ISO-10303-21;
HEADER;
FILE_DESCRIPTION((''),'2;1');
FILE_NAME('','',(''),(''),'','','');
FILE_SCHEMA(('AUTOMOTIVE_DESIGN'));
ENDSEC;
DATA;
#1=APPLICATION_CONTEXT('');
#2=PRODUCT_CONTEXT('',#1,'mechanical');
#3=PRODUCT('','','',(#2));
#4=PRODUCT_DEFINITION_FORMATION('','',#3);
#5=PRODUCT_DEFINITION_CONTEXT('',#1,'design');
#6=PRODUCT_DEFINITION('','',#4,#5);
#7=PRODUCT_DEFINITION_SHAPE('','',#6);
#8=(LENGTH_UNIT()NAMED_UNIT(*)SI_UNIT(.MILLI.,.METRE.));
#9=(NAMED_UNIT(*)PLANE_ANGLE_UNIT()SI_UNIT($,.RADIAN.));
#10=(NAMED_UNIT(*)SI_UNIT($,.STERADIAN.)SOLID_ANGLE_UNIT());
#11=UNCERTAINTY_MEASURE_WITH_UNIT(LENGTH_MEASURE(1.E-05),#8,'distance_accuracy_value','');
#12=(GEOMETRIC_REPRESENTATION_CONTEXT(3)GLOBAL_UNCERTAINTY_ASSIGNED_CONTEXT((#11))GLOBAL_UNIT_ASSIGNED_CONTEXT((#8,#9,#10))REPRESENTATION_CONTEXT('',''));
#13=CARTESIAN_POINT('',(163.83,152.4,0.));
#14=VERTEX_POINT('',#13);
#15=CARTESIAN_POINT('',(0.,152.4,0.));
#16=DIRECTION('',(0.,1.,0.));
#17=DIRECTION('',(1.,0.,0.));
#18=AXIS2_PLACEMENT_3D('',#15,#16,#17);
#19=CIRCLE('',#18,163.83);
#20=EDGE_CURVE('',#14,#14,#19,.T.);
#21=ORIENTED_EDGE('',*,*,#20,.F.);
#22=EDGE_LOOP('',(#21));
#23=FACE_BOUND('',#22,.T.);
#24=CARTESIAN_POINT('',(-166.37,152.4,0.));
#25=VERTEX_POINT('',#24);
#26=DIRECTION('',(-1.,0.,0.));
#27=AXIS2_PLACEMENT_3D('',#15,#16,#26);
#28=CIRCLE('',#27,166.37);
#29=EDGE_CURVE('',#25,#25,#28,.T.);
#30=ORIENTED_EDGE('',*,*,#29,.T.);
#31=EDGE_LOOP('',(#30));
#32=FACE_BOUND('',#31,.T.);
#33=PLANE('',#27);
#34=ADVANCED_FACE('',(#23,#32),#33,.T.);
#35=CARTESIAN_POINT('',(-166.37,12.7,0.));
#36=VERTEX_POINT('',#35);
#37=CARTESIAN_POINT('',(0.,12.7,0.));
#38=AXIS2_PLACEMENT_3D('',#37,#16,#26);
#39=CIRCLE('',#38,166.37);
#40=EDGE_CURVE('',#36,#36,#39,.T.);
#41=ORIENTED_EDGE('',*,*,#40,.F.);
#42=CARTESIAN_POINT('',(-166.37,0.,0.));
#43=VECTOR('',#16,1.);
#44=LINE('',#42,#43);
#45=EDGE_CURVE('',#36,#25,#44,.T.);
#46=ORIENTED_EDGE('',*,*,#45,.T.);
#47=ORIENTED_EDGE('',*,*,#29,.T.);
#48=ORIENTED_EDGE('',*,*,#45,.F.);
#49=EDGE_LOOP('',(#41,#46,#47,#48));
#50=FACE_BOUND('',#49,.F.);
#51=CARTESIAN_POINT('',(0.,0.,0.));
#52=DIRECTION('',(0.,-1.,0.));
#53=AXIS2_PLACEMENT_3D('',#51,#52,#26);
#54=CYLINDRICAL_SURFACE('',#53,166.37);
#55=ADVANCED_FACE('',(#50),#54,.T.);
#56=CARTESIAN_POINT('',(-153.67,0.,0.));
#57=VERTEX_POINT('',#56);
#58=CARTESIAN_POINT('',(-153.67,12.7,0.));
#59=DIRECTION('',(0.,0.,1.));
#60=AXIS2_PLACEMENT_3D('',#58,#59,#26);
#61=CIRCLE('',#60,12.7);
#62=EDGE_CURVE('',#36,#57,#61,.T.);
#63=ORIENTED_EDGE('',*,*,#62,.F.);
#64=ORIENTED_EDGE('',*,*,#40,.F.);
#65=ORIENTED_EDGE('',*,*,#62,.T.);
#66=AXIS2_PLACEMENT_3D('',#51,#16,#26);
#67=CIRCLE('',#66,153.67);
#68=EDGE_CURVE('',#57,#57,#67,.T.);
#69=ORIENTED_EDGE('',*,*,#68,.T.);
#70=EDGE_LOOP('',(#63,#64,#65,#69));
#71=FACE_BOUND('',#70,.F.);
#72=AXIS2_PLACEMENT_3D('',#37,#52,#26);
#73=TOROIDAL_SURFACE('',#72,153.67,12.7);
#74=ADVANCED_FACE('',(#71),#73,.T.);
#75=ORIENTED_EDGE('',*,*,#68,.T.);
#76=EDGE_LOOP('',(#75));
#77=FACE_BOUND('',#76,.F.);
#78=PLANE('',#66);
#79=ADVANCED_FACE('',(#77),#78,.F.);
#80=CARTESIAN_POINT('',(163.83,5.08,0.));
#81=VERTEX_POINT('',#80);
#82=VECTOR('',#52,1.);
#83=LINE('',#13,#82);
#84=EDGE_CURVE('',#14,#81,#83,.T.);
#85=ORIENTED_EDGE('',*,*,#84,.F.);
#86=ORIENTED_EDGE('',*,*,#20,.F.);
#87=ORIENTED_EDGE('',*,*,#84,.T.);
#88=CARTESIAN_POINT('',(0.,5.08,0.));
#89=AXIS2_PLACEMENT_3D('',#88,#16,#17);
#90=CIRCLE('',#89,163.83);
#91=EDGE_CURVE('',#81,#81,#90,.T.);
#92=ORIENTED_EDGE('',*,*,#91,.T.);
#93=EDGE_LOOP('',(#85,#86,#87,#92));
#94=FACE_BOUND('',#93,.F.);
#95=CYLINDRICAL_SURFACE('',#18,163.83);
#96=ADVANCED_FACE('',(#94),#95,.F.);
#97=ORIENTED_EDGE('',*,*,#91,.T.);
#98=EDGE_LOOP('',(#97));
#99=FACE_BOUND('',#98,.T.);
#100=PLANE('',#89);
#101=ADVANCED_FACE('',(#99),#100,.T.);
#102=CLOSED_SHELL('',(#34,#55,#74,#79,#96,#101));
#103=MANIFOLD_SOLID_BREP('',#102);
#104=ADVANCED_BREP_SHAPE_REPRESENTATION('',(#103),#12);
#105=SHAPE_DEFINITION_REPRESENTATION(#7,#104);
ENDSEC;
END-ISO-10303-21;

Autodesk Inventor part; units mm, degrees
ref_plane "YZ Plane" through (0, 0, 0) normal (1, 0, 0) x (0, 1, 0)
ref_plane "XZ Plane" through (0, 0, 0) normal (0, 1, 0) x (-1, 0, 0)
ref_plane "XY Plane" through (0, 0, 0) normal (0, 0, 1) x (1, 0, 0)
sketch "Sketch1" plane through (0, 0, 0) normal (0, 1, 0) x (-1, 0, 0)
  circle A0 centre (0, 0) radius 166.37
  dimension "d0" = 332.74
extrude "Extrusion1" add sketch "Sketch1" along normal blind 152.4
sketch "Sketch2" plane through (0, 152.4, 0) normal (0, 1, 0) x (1, 0, 0)
  circle A0 centre (0, 0) radius 163.83
  dimension "d3" = 327.66
extrude "Extrusion2" cut sketch "Sketch2" against normal blind 147.32
fillet "Fillet1" radius 12.7 1 edges at (166.37, 0, 0)
properties part number "cover" material "Acetal Resin, White"
